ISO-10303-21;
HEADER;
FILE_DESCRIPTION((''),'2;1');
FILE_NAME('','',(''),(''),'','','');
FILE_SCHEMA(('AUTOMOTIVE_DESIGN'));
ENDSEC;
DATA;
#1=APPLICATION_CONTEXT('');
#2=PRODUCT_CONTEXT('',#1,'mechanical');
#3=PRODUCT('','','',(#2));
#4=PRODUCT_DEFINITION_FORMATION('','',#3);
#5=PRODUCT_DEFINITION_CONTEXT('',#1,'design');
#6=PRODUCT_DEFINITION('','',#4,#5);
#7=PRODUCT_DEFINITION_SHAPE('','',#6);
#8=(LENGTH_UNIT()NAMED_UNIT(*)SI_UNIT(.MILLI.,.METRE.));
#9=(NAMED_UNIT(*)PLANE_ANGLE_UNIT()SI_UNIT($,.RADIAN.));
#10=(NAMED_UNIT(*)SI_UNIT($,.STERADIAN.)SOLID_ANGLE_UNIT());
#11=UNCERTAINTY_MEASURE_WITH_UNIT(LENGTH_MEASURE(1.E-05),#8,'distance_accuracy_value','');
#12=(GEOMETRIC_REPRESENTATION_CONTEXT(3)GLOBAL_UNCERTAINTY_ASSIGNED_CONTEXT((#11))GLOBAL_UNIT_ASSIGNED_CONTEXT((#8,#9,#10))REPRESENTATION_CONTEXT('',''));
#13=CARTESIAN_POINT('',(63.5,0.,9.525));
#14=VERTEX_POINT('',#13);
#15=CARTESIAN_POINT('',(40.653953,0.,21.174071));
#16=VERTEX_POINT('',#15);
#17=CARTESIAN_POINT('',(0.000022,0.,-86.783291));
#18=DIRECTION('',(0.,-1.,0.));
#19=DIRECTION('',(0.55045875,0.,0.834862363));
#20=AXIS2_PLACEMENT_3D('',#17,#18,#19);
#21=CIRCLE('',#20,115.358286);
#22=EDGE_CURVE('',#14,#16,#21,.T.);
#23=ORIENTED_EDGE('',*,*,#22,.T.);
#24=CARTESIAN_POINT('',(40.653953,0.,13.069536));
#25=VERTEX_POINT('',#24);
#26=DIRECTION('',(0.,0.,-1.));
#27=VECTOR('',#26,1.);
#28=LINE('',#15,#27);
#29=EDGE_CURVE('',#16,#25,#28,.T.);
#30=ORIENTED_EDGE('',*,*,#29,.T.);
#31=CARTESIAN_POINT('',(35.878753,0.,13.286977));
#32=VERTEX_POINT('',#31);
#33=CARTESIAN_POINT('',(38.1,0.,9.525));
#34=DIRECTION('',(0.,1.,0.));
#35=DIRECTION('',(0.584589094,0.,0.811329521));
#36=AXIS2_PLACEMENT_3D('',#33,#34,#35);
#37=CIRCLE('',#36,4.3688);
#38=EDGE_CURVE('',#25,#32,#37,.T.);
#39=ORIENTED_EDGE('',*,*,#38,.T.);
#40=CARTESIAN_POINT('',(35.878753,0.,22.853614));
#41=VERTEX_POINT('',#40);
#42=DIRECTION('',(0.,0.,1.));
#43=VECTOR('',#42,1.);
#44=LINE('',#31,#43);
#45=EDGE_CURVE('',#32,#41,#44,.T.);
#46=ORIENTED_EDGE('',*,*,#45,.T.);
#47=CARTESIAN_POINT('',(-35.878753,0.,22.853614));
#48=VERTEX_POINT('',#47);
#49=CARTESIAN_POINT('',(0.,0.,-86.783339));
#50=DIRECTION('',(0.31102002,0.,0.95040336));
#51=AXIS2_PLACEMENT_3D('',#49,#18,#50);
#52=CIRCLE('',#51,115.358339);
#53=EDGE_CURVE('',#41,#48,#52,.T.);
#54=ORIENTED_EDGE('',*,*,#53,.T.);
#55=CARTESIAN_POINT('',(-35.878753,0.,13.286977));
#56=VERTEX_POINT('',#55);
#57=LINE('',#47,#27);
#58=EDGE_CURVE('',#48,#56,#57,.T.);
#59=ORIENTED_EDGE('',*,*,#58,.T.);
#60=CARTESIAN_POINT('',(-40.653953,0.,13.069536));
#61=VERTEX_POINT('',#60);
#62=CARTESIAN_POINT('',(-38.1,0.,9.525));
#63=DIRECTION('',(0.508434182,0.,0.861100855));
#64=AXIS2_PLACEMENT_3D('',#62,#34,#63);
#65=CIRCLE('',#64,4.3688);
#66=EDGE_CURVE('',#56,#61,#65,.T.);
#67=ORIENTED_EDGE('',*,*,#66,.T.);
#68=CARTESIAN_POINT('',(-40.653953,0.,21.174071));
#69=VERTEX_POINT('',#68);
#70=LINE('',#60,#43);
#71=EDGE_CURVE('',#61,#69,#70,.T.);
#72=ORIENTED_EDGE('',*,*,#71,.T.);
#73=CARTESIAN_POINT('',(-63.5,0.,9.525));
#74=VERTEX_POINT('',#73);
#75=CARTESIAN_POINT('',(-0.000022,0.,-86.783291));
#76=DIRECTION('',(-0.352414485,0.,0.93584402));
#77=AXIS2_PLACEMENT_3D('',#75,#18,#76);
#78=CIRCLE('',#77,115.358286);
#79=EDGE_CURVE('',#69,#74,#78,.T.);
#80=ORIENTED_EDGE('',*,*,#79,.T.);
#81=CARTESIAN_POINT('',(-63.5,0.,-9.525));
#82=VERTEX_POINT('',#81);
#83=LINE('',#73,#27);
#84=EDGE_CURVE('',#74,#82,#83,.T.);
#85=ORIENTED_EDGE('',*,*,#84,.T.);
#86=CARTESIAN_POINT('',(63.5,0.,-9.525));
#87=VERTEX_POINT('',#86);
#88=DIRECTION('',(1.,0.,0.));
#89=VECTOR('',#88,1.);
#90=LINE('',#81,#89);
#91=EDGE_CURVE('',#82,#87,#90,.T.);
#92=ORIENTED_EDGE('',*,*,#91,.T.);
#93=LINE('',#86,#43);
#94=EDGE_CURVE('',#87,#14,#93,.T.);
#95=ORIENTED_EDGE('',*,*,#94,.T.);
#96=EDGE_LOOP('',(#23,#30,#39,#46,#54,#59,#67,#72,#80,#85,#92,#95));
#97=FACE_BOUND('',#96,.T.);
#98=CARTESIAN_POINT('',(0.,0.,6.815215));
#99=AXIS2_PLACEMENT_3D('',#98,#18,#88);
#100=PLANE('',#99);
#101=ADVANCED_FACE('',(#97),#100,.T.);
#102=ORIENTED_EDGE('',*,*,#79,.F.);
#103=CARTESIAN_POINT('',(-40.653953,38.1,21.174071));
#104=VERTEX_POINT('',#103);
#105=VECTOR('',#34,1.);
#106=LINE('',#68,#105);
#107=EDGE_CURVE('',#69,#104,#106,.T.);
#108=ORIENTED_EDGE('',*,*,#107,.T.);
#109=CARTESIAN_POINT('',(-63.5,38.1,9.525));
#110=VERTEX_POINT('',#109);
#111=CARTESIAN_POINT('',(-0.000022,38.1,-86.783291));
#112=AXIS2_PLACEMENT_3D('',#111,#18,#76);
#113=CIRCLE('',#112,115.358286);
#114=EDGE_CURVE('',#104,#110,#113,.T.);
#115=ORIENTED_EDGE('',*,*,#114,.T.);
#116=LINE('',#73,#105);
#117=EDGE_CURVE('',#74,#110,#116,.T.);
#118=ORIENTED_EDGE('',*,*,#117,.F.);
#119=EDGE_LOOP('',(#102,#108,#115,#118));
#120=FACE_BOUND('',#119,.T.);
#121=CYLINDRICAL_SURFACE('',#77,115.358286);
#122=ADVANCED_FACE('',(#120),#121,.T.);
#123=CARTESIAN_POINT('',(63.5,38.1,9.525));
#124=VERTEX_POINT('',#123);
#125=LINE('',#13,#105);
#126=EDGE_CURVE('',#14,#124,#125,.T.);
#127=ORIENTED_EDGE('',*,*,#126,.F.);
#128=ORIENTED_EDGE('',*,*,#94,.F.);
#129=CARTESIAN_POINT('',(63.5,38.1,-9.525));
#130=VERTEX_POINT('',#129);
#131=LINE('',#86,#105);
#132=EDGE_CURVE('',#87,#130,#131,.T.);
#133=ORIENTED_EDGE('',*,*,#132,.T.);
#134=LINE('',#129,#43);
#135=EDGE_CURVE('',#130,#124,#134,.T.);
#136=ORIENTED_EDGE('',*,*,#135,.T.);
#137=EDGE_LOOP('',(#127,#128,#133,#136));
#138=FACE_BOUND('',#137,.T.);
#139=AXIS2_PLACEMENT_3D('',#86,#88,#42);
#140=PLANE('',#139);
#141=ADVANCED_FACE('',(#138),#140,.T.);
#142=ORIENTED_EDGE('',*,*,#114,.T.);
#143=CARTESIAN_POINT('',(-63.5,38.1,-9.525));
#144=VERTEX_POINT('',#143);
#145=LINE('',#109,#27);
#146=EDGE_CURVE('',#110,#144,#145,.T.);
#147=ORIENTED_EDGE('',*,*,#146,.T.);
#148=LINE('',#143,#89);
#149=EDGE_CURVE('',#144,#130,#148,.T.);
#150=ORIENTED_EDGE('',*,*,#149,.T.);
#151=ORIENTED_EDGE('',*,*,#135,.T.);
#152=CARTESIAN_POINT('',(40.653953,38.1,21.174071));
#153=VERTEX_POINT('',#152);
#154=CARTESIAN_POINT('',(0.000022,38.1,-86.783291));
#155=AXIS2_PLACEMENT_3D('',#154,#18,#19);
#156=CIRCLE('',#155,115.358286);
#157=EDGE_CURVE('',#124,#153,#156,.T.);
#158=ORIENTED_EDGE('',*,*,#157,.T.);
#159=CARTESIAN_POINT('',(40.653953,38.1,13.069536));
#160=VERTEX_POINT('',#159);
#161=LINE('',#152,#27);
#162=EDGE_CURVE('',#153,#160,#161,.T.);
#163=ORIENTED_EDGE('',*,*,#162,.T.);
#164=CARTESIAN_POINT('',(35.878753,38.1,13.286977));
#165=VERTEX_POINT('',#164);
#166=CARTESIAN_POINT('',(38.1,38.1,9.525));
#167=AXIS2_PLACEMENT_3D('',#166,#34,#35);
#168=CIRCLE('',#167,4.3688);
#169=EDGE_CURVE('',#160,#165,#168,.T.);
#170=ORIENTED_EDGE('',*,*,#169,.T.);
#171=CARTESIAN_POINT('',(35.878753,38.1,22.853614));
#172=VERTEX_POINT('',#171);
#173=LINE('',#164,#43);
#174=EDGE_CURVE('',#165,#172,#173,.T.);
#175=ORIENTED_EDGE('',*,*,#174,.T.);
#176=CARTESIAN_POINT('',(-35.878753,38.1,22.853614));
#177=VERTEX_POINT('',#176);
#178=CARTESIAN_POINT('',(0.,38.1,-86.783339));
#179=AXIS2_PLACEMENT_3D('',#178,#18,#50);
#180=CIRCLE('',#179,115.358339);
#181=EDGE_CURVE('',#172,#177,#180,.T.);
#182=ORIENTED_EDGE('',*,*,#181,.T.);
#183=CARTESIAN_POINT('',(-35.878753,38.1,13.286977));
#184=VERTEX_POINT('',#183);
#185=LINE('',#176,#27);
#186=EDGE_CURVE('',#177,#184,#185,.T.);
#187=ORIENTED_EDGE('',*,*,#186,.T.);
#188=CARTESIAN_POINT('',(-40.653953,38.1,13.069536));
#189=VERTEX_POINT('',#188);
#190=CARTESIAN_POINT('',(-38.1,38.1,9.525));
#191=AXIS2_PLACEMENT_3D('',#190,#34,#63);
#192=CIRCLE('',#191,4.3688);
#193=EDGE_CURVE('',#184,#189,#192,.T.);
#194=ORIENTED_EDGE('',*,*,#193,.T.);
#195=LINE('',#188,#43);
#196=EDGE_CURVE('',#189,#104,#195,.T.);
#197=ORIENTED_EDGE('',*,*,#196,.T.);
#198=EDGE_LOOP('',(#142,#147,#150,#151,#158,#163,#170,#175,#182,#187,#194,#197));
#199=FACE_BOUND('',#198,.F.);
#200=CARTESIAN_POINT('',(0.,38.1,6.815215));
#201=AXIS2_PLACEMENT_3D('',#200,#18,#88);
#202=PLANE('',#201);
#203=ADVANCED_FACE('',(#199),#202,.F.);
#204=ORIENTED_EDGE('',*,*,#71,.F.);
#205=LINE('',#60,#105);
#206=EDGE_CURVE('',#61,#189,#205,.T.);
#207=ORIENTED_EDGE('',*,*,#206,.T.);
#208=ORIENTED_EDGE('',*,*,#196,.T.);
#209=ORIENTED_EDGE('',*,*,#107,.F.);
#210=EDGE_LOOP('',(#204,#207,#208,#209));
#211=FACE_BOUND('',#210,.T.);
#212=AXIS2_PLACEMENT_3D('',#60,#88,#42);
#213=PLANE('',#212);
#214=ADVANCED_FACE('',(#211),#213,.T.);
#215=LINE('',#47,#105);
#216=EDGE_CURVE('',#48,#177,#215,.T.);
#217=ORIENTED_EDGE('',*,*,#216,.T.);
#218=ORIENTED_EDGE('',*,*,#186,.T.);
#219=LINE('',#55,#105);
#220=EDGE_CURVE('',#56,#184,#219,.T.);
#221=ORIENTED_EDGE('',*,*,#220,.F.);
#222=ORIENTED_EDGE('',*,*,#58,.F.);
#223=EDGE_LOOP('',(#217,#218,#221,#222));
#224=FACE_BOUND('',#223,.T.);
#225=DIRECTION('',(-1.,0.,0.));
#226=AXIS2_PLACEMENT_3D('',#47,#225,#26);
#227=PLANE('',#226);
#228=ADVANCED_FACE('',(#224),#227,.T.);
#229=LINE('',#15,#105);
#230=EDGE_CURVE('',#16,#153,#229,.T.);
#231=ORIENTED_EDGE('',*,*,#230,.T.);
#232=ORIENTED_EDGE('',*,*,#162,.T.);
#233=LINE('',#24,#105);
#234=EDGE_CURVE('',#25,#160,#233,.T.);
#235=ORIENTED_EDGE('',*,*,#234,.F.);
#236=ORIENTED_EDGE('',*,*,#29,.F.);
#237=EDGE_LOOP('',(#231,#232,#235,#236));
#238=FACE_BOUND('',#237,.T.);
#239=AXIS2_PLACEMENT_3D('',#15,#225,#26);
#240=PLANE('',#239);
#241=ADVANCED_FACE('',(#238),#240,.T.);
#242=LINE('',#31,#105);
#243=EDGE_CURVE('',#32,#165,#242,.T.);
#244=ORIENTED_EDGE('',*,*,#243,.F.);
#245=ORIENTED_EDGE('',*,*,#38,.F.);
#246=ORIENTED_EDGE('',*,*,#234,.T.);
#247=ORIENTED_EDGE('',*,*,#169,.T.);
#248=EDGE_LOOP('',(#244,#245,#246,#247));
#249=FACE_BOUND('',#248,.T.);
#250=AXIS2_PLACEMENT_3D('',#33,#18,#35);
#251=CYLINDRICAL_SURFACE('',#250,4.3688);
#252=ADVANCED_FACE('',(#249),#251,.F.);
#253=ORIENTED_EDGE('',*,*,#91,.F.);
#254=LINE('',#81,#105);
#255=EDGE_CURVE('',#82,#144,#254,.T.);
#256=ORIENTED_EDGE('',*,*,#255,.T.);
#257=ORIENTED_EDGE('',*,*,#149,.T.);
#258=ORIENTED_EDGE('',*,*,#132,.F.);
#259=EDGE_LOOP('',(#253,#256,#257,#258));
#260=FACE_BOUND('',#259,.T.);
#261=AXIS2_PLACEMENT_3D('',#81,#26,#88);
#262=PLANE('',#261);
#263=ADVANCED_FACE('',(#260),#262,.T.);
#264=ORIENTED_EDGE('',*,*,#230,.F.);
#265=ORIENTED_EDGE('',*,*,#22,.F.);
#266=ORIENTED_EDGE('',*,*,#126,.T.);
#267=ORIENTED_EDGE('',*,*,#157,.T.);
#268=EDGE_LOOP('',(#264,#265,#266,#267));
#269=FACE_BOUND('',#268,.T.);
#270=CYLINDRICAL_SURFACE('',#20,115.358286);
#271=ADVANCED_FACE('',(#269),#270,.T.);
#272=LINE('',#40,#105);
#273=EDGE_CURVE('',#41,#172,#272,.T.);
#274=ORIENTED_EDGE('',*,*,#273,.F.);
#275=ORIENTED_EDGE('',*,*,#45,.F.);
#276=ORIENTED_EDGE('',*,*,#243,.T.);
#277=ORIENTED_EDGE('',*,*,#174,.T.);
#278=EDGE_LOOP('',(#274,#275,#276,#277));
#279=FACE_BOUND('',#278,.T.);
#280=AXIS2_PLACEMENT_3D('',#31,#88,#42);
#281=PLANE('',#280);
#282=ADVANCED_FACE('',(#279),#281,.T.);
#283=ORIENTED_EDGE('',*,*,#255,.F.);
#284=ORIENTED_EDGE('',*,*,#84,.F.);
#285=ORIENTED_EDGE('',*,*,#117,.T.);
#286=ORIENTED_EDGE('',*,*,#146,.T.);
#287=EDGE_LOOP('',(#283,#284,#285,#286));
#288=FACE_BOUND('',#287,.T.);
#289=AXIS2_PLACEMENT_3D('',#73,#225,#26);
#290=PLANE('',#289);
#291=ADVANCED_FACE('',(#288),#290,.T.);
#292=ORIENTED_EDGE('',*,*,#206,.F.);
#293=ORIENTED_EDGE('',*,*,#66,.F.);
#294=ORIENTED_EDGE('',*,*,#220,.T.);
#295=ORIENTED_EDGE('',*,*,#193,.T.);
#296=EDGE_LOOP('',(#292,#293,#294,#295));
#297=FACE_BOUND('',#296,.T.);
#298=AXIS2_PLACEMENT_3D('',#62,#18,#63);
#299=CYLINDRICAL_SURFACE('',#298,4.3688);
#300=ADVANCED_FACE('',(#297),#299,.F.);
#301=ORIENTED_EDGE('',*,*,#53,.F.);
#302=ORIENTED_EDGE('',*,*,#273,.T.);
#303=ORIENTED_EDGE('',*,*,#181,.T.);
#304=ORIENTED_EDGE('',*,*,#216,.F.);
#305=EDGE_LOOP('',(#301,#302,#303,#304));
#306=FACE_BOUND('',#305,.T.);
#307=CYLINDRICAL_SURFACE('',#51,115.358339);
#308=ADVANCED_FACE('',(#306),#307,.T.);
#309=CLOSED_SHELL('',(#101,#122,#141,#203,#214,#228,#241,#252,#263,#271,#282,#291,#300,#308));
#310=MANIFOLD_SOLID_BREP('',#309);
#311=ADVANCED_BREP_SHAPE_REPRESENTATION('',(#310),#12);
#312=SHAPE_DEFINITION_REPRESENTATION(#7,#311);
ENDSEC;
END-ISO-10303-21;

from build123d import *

# Parameters (mm, degrees)
F1_DEPTH = 38.1


with BuildPart() as f1:
    # F0 (on Front) → F1 (new body)
    with BuildSketch(Plane.XZ):
        with BuildLine():
            Line((-63.5, -9.525), (63.5, -9.525))
            Line((63.5, -9.525), (63.5, 9.525))
            ThreePointArc((63.5, 9.525), (52.401686, 15.986353), (40.653953, 21.174071))
            Line((40.653953, 21.174071), (40.653953, 13.069536))
            ThreePointArc((40.653953, 13.069536), (37.901271, 5.160722), (35.878753, 13.286977))
            Line((35.878753, 13.286977), (35.878753, 22.853614))
            ThreePointArc((35.878753, 22.853614), (0, 28.575), (-35.878753, 22.853614))
            Line((-35.878753, 22.853614), (-35.878753, 13.286977))
            ThreePointArc((-35.878753, 13.286977), (-37.901271, 5.160722), (-40.653953, 13.069536))
            Line((-40.653953, 13.069536), (-40.653953, 21.174071))
            ThreePointArc((-40.653953, 21.174071), (-52.401686, 15.986353), (-63.5, 9.525))
            Line((-63.5, 9.525), (-63.5, -9.525))
        make_face()
    extrude(amount=-F1_DEPTH)


solid = f1.part
